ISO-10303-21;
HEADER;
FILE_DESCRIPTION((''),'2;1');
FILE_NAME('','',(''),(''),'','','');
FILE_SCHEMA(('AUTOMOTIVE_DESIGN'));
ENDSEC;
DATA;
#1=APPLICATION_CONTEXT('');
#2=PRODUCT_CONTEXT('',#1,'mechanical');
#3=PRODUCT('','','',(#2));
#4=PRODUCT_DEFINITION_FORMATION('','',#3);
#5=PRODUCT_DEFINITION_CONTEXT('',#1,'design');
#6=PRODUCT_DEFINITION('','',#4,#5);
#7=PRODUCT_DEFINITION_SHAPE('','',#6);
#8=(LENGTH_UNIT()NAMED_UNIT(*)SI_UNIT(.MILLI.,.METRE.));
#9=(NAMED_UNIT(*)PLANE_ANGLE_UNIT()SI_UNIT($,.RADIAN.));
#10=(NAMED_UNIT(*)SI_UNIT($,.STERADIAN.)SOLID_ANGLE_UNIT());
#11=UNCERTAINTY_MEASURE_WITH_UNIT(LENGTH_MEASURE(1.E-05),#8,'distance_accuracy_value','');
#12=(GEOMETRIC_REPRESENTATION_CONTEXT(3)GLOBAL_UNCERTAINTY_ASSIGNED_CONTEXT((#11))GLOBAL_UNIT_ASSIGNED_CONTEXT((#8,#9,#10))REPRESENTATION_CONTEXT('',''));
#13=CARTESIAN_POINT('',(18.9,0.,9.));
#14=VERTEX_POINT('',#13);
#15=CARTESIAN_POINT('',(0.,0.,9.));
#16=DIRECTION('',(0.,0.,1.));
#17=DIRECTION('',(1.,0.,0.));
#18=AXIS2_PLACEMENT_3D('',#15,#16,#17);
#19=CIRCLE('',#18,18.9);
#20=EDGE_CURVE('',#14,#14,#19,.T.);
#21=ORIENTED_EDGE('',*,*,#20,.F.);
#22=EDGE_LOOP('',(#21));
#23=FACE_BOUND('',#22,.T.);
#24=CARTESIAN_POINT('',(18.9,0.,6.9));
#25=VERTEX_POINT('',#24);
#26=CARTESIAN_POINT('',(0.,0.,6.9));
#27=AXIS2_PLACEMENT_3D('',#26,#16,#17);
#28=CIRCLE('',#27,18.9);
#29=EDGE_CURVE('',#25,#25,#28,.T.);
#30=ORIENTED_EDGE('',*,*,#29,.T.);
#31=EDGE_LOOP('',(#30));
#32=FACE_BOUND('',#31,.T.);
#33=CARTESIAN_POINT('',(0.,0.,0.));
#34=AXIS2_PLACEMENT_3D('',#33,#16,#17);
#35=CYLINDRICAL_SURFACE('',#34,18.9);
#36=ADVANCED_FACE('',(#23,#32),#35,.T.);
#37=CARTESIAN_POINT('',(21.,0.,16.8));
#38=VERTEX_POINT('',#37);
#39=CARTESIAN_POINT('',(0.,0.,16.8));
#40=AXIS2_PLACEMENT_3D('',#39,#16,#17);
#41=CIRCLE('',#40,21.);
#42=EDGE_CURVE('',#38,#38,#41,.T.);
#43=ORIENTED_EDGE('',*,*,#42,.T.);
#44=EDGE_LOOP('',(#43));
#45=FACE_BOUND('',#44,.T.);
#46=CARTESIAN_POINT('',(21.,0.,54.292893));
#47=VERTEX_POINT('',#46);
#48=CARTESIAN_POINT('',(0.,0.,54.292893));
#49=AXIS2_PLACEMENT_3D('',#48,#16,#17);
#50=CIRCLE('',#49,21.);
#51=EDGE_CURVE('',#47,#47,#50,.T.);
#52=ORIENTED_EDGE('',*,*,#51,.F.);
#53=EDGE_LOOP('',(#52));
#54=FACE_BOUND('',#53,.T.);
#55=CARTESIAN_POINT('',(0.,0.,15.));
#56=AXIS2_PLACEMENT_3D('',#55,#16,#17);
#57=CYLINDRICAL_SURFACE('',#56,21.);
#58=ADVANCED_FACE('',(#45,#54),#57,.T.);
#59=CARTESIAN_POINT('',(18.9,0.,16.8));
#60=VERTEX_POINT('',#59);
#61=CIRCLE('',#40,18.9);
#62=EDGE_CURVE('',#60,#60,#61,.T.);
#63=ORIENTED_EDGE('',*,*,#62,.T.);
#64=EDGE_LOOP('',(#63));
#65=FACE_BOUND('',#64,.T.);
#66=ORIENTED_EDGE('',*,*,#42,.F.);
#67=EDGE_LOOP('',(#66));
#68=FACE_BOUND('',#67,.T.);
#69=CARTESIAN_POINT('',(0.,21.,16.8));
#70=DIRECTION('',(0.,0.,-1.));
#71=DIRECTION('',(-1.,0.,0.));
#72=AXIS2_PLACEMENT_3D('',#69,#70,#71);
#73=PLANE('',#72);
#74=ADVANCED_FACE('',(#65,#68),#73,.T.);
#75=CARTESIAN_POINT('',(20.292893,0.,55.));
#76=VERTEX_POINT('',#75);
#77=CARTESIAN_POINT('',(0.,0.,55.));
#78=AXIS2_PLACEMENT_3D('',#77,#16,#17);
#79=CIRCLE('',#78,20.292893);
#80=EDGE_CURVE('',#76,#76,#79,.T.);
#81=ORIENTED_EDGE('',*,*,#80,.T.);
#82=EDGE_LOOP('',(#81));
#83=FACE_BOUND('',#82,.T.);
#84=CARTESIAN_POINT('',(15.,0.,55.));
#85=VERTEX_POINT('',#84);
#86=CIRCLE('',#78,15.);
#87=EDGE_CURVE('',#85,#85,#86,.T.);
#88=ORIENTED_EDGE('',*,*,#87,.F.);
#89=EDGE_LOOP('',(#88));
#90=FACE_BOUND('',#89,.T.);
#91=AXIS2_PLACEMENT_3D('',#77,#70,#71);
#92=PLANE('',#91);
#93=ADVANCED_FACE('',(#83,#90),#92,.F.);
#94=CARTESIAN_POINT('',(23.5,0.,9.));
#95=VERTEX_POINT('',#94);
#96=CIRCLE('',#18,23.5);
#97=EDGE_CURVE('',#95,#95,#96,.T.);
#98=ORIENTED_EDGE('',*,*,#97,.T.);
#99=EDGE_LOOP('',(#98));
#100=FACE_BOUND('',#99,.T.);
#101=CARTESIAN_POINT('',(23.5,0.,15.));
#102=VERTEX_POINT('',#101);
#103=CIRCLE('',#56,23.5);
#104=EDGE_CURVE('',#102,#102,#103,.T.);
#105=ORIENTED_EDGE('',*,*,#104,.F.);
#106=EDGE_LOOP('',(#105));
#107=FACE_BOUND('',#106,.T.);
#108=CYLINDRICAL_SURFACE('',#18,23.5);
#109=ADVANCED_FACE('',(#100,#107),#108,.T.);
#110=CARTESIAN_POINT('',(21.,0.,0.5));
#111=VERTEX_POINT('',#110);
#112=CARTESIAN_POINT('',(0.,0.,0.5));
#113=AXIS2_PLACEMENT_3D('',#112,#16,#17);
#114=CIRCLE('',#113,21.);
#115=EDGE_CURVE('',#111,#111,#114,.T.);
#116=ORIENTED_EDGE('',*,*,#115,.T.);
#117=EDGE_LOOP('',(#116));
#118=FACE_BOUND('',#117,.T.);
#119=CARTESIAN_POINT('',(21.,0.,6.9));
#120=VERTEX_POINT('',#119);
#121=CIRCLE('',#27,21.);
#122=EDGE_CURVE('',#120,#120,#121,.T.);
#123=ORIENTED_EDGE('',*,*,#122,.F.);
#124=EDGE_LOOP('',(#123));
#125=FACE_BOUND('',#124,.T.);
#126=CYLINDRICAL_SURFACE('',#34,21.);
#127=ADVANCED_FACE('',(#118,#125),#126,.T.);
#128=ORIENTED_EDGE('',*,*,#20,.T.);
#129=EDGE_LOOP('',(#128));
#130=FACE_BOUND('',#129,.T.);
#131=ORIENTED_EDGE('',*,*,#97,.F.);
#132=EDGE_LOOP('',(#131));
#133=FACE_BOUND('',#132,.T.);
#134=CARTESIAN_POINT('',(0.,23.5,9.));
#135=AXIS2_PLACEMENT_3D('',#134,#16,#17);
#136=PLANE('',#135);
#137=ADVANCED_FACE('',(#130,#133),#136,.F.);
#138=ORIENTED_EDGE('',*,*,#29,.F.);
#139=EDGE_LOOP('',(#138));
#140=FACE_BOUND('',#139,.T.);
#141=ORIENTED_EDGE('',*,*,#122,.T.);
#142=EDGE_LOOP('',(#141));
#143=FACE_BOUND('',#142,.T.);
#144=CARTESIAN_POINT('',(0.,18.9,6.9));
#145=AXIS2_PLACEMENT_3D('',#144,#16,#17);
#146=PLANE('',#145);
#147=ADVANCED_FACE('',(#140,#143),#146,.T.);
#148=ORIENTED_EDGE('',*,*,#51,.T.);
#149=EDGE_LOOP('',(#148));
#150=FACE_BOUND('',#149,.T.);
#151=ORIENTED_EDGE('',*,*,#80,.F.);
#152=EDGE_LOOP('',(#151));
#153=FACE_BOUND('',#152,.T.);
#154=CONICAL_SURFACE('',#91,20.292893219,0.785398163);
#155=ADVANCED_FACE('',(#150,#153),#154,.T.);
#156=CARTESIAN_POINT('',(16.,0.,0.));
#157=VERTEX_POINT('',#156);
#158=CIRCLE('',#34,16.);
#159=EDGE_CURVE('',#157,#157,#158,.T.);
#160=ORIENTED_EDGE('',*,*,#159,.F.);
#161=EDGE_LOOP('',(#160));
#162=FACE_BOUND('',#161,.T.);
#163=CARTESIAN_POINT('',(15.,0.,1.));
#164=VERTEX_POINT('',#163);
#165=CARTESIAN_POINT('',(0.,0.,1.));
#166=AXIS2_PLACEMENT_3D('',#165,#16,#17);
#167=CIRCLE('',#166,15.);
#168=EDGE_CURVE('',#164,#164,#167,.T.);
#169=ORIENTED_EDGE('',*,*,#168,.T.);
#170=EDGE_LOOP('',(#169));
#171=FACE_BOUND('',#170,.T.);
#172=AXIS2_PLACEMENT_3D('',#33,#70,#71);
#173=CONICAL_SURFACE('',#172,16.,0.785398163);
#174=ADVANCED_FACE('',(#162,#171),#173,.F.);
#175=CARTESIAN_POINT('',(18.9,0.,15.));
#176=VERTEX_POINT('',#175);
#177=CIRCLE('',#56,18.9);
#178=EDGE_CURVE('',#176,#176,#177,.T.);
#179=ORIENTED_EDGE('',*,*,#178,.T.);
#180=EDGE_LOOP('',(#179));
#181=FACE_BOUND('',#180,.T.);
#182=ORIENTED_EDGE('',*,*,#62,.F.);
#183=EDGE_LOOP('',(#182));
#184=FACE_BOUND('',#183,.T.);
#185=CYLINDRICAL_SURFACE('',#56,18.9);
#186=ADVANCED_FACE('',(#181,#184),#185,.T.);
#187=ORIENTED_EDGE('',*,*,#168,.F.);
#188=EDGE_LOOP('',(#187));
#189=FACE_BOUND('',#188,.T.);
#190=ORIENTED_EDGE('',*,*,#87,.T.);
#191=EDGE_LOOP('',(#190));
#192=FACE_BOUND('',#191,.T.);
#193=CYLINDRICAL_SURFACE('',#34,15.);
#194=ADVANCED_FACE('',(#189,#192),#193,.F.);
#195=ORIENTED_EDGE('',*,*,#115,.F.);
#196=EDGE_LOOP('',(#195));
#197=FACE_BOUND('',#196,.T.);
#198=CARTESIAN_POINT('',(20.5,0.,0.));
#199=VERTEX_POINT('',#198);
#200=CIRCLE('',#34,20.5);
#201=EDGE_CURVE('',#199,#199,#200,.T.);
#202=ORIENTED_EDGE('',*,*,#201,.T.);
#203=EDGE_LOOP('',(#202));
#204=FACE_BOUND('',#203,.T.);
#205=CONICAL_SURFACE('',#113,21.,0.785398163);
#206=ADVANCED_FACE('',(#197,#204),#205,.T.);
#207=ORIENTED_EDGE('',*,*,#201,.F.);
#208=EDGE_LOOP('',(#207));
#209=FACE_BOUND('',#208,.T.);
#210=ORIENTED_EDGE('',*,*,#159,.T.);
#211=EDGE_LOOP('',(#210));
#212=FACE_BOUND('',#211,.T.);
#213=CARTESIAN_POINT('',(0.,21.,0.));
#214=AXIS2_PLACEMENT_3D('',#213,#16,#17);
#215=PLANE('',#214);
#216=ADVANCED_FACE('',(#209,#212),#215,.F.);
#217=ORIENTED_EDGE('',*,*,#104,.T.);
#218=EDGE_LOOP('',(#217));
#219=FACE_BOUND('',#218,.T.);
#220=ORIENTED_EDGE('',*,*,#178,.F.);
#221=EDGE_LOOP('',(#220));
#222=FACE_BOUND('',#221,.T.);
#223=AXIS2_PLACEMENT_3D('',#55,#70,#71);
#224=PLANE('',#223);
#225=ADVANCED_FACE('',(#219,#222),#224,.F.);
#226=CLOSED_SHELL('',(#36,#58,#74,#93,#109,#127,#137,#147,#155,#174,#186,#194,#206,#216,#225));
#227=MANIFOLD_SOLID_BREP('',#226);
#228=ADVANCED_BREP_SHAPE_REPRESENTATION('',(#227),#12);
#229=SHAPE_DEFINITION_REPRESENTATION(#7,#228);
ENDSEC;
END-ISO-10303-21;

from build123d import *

# Parameters (mm, degrees)
SZKIC1_W = 6
SZKIC1_H = 23.5
SZKIC2_W = 40
SZKIC2_H = 21
SZKIC4_W = 1.8
SZKIC4_H = 2.1
SZKIC5_W = 9
SZKIC5_H = 21
SZKIC8_W = 2.1
SZKIC8_H = 2.1


with BuildPart() as part:
    # Szkic1 → Obrót1 (revolve)
    with BuildSketch(Plane(origin=(0, 0, 0), x_dir=(0, 0, -1), z_dir=(1, 0, 0))):
        with Locations((-12, 11.75)):
            Rectangle(SZKIC1_W, SZKIC1_H)
    revolve(axis=Axis((0, 0, 9), (0, 0, 1)))

    # Szkic2 → Obrót2 (revolve)
    with BuildSketch(Plane(origin=(0, 0, 0), x_dir=(0, 0, -1), z_dir=(1, 0, 0))):
        with Locations((-35, 10.5)):
            Rectangle(SZKIC2_W, SZKIC2_H)
    revolve(axis=Axis((0, 0, 15), (0, 0, 1)))

    # Szkic3 → Wycięcie-obrót1 (revolve, cut)
    with BuildSketch(Plane(origin=(0, 0, 0), x_dir=(0, 0, -1), z_dir=(1, 0, 0))):
        Polygon((-55, 20.292893219), (-54.292893219, 21), (-55, 21), align=None)
    revolve(axis=Axis((0, 0, 15), (0, 0, 1)), mode=Mode.SUBTRACT)

    # Szkic4 → Wycięcie-obrót2 (revolve, cut)
    with BuildSketch(Plane(origin=(0, 0, 0), x_dir=(0, 0, -1), z_dir=(1, 0, 0))):
        with Locations((-15.9, 19.95)):
            Rectangle(SZKIC4_W, SZKIC4_H)
    revolve(axis=Axis((0, 0, 15), (0, 0, 1)), mode=Mode.SUBTRACT)

    # Szkic5 → Obrót3 (revolve)
    with BuildSketch(Plane(origin=(0, 0, 0), x_dir=(0, 0, -1), z_dir=(1, 0, 0))):
        with Locations((-4.5, 10.5)):
            Rectangle(SZKIC5_W, SZKIC5_H)
    revolve(axis=Axis((0, 0, 0), (0, 0, 1)))

    # Szkic6 → Wycięcie-obrót3 (revolve, cut)
    with BuildSketch(Plane(origin=(0, 0, 0), x_dir=(0, 0, -1), z_dir=(1, 0, 0))):
        Polygon((-55, 0), (-55, 15), (-1, 15), (0, 16), (0, 0), align=None)
    revolve(axis=Axis((0, 0, 0), (0, 0, 1)), mode=Mode.SUBTRACT)

    # Szkic7 → Wycięcie-obrót4 (revolve, cut)
    with BuildSketch(Plane(origin=(0, 0, 0), x_dir=(0, 0, -1), z_dir=(1, 0, 0))):
        Polygon((-0.5, 21), (0, 20.5), (0, 21), align=None)
    revolve(axis=Axis((0, 0, 0), (0, 0, 1)), mode=Mode.SUBTRACT)

    # Szkic8 → Wycięcie-obrót5 (revolve, cut)
    with BuildSketch(Plane(origin=(0, 0, 0), x_dir=(0, 0, -1), z_dir=(1, 0, 0))):
        with Locations((-7.95, 19.95)):
            Rectangle(SZKIC8_W, SZKIC8_H)
    revolve(axis=Axis((0, 0, 0), (0, 0, 1)), mode=Mode.SUBTRACT)


solid = part.part
